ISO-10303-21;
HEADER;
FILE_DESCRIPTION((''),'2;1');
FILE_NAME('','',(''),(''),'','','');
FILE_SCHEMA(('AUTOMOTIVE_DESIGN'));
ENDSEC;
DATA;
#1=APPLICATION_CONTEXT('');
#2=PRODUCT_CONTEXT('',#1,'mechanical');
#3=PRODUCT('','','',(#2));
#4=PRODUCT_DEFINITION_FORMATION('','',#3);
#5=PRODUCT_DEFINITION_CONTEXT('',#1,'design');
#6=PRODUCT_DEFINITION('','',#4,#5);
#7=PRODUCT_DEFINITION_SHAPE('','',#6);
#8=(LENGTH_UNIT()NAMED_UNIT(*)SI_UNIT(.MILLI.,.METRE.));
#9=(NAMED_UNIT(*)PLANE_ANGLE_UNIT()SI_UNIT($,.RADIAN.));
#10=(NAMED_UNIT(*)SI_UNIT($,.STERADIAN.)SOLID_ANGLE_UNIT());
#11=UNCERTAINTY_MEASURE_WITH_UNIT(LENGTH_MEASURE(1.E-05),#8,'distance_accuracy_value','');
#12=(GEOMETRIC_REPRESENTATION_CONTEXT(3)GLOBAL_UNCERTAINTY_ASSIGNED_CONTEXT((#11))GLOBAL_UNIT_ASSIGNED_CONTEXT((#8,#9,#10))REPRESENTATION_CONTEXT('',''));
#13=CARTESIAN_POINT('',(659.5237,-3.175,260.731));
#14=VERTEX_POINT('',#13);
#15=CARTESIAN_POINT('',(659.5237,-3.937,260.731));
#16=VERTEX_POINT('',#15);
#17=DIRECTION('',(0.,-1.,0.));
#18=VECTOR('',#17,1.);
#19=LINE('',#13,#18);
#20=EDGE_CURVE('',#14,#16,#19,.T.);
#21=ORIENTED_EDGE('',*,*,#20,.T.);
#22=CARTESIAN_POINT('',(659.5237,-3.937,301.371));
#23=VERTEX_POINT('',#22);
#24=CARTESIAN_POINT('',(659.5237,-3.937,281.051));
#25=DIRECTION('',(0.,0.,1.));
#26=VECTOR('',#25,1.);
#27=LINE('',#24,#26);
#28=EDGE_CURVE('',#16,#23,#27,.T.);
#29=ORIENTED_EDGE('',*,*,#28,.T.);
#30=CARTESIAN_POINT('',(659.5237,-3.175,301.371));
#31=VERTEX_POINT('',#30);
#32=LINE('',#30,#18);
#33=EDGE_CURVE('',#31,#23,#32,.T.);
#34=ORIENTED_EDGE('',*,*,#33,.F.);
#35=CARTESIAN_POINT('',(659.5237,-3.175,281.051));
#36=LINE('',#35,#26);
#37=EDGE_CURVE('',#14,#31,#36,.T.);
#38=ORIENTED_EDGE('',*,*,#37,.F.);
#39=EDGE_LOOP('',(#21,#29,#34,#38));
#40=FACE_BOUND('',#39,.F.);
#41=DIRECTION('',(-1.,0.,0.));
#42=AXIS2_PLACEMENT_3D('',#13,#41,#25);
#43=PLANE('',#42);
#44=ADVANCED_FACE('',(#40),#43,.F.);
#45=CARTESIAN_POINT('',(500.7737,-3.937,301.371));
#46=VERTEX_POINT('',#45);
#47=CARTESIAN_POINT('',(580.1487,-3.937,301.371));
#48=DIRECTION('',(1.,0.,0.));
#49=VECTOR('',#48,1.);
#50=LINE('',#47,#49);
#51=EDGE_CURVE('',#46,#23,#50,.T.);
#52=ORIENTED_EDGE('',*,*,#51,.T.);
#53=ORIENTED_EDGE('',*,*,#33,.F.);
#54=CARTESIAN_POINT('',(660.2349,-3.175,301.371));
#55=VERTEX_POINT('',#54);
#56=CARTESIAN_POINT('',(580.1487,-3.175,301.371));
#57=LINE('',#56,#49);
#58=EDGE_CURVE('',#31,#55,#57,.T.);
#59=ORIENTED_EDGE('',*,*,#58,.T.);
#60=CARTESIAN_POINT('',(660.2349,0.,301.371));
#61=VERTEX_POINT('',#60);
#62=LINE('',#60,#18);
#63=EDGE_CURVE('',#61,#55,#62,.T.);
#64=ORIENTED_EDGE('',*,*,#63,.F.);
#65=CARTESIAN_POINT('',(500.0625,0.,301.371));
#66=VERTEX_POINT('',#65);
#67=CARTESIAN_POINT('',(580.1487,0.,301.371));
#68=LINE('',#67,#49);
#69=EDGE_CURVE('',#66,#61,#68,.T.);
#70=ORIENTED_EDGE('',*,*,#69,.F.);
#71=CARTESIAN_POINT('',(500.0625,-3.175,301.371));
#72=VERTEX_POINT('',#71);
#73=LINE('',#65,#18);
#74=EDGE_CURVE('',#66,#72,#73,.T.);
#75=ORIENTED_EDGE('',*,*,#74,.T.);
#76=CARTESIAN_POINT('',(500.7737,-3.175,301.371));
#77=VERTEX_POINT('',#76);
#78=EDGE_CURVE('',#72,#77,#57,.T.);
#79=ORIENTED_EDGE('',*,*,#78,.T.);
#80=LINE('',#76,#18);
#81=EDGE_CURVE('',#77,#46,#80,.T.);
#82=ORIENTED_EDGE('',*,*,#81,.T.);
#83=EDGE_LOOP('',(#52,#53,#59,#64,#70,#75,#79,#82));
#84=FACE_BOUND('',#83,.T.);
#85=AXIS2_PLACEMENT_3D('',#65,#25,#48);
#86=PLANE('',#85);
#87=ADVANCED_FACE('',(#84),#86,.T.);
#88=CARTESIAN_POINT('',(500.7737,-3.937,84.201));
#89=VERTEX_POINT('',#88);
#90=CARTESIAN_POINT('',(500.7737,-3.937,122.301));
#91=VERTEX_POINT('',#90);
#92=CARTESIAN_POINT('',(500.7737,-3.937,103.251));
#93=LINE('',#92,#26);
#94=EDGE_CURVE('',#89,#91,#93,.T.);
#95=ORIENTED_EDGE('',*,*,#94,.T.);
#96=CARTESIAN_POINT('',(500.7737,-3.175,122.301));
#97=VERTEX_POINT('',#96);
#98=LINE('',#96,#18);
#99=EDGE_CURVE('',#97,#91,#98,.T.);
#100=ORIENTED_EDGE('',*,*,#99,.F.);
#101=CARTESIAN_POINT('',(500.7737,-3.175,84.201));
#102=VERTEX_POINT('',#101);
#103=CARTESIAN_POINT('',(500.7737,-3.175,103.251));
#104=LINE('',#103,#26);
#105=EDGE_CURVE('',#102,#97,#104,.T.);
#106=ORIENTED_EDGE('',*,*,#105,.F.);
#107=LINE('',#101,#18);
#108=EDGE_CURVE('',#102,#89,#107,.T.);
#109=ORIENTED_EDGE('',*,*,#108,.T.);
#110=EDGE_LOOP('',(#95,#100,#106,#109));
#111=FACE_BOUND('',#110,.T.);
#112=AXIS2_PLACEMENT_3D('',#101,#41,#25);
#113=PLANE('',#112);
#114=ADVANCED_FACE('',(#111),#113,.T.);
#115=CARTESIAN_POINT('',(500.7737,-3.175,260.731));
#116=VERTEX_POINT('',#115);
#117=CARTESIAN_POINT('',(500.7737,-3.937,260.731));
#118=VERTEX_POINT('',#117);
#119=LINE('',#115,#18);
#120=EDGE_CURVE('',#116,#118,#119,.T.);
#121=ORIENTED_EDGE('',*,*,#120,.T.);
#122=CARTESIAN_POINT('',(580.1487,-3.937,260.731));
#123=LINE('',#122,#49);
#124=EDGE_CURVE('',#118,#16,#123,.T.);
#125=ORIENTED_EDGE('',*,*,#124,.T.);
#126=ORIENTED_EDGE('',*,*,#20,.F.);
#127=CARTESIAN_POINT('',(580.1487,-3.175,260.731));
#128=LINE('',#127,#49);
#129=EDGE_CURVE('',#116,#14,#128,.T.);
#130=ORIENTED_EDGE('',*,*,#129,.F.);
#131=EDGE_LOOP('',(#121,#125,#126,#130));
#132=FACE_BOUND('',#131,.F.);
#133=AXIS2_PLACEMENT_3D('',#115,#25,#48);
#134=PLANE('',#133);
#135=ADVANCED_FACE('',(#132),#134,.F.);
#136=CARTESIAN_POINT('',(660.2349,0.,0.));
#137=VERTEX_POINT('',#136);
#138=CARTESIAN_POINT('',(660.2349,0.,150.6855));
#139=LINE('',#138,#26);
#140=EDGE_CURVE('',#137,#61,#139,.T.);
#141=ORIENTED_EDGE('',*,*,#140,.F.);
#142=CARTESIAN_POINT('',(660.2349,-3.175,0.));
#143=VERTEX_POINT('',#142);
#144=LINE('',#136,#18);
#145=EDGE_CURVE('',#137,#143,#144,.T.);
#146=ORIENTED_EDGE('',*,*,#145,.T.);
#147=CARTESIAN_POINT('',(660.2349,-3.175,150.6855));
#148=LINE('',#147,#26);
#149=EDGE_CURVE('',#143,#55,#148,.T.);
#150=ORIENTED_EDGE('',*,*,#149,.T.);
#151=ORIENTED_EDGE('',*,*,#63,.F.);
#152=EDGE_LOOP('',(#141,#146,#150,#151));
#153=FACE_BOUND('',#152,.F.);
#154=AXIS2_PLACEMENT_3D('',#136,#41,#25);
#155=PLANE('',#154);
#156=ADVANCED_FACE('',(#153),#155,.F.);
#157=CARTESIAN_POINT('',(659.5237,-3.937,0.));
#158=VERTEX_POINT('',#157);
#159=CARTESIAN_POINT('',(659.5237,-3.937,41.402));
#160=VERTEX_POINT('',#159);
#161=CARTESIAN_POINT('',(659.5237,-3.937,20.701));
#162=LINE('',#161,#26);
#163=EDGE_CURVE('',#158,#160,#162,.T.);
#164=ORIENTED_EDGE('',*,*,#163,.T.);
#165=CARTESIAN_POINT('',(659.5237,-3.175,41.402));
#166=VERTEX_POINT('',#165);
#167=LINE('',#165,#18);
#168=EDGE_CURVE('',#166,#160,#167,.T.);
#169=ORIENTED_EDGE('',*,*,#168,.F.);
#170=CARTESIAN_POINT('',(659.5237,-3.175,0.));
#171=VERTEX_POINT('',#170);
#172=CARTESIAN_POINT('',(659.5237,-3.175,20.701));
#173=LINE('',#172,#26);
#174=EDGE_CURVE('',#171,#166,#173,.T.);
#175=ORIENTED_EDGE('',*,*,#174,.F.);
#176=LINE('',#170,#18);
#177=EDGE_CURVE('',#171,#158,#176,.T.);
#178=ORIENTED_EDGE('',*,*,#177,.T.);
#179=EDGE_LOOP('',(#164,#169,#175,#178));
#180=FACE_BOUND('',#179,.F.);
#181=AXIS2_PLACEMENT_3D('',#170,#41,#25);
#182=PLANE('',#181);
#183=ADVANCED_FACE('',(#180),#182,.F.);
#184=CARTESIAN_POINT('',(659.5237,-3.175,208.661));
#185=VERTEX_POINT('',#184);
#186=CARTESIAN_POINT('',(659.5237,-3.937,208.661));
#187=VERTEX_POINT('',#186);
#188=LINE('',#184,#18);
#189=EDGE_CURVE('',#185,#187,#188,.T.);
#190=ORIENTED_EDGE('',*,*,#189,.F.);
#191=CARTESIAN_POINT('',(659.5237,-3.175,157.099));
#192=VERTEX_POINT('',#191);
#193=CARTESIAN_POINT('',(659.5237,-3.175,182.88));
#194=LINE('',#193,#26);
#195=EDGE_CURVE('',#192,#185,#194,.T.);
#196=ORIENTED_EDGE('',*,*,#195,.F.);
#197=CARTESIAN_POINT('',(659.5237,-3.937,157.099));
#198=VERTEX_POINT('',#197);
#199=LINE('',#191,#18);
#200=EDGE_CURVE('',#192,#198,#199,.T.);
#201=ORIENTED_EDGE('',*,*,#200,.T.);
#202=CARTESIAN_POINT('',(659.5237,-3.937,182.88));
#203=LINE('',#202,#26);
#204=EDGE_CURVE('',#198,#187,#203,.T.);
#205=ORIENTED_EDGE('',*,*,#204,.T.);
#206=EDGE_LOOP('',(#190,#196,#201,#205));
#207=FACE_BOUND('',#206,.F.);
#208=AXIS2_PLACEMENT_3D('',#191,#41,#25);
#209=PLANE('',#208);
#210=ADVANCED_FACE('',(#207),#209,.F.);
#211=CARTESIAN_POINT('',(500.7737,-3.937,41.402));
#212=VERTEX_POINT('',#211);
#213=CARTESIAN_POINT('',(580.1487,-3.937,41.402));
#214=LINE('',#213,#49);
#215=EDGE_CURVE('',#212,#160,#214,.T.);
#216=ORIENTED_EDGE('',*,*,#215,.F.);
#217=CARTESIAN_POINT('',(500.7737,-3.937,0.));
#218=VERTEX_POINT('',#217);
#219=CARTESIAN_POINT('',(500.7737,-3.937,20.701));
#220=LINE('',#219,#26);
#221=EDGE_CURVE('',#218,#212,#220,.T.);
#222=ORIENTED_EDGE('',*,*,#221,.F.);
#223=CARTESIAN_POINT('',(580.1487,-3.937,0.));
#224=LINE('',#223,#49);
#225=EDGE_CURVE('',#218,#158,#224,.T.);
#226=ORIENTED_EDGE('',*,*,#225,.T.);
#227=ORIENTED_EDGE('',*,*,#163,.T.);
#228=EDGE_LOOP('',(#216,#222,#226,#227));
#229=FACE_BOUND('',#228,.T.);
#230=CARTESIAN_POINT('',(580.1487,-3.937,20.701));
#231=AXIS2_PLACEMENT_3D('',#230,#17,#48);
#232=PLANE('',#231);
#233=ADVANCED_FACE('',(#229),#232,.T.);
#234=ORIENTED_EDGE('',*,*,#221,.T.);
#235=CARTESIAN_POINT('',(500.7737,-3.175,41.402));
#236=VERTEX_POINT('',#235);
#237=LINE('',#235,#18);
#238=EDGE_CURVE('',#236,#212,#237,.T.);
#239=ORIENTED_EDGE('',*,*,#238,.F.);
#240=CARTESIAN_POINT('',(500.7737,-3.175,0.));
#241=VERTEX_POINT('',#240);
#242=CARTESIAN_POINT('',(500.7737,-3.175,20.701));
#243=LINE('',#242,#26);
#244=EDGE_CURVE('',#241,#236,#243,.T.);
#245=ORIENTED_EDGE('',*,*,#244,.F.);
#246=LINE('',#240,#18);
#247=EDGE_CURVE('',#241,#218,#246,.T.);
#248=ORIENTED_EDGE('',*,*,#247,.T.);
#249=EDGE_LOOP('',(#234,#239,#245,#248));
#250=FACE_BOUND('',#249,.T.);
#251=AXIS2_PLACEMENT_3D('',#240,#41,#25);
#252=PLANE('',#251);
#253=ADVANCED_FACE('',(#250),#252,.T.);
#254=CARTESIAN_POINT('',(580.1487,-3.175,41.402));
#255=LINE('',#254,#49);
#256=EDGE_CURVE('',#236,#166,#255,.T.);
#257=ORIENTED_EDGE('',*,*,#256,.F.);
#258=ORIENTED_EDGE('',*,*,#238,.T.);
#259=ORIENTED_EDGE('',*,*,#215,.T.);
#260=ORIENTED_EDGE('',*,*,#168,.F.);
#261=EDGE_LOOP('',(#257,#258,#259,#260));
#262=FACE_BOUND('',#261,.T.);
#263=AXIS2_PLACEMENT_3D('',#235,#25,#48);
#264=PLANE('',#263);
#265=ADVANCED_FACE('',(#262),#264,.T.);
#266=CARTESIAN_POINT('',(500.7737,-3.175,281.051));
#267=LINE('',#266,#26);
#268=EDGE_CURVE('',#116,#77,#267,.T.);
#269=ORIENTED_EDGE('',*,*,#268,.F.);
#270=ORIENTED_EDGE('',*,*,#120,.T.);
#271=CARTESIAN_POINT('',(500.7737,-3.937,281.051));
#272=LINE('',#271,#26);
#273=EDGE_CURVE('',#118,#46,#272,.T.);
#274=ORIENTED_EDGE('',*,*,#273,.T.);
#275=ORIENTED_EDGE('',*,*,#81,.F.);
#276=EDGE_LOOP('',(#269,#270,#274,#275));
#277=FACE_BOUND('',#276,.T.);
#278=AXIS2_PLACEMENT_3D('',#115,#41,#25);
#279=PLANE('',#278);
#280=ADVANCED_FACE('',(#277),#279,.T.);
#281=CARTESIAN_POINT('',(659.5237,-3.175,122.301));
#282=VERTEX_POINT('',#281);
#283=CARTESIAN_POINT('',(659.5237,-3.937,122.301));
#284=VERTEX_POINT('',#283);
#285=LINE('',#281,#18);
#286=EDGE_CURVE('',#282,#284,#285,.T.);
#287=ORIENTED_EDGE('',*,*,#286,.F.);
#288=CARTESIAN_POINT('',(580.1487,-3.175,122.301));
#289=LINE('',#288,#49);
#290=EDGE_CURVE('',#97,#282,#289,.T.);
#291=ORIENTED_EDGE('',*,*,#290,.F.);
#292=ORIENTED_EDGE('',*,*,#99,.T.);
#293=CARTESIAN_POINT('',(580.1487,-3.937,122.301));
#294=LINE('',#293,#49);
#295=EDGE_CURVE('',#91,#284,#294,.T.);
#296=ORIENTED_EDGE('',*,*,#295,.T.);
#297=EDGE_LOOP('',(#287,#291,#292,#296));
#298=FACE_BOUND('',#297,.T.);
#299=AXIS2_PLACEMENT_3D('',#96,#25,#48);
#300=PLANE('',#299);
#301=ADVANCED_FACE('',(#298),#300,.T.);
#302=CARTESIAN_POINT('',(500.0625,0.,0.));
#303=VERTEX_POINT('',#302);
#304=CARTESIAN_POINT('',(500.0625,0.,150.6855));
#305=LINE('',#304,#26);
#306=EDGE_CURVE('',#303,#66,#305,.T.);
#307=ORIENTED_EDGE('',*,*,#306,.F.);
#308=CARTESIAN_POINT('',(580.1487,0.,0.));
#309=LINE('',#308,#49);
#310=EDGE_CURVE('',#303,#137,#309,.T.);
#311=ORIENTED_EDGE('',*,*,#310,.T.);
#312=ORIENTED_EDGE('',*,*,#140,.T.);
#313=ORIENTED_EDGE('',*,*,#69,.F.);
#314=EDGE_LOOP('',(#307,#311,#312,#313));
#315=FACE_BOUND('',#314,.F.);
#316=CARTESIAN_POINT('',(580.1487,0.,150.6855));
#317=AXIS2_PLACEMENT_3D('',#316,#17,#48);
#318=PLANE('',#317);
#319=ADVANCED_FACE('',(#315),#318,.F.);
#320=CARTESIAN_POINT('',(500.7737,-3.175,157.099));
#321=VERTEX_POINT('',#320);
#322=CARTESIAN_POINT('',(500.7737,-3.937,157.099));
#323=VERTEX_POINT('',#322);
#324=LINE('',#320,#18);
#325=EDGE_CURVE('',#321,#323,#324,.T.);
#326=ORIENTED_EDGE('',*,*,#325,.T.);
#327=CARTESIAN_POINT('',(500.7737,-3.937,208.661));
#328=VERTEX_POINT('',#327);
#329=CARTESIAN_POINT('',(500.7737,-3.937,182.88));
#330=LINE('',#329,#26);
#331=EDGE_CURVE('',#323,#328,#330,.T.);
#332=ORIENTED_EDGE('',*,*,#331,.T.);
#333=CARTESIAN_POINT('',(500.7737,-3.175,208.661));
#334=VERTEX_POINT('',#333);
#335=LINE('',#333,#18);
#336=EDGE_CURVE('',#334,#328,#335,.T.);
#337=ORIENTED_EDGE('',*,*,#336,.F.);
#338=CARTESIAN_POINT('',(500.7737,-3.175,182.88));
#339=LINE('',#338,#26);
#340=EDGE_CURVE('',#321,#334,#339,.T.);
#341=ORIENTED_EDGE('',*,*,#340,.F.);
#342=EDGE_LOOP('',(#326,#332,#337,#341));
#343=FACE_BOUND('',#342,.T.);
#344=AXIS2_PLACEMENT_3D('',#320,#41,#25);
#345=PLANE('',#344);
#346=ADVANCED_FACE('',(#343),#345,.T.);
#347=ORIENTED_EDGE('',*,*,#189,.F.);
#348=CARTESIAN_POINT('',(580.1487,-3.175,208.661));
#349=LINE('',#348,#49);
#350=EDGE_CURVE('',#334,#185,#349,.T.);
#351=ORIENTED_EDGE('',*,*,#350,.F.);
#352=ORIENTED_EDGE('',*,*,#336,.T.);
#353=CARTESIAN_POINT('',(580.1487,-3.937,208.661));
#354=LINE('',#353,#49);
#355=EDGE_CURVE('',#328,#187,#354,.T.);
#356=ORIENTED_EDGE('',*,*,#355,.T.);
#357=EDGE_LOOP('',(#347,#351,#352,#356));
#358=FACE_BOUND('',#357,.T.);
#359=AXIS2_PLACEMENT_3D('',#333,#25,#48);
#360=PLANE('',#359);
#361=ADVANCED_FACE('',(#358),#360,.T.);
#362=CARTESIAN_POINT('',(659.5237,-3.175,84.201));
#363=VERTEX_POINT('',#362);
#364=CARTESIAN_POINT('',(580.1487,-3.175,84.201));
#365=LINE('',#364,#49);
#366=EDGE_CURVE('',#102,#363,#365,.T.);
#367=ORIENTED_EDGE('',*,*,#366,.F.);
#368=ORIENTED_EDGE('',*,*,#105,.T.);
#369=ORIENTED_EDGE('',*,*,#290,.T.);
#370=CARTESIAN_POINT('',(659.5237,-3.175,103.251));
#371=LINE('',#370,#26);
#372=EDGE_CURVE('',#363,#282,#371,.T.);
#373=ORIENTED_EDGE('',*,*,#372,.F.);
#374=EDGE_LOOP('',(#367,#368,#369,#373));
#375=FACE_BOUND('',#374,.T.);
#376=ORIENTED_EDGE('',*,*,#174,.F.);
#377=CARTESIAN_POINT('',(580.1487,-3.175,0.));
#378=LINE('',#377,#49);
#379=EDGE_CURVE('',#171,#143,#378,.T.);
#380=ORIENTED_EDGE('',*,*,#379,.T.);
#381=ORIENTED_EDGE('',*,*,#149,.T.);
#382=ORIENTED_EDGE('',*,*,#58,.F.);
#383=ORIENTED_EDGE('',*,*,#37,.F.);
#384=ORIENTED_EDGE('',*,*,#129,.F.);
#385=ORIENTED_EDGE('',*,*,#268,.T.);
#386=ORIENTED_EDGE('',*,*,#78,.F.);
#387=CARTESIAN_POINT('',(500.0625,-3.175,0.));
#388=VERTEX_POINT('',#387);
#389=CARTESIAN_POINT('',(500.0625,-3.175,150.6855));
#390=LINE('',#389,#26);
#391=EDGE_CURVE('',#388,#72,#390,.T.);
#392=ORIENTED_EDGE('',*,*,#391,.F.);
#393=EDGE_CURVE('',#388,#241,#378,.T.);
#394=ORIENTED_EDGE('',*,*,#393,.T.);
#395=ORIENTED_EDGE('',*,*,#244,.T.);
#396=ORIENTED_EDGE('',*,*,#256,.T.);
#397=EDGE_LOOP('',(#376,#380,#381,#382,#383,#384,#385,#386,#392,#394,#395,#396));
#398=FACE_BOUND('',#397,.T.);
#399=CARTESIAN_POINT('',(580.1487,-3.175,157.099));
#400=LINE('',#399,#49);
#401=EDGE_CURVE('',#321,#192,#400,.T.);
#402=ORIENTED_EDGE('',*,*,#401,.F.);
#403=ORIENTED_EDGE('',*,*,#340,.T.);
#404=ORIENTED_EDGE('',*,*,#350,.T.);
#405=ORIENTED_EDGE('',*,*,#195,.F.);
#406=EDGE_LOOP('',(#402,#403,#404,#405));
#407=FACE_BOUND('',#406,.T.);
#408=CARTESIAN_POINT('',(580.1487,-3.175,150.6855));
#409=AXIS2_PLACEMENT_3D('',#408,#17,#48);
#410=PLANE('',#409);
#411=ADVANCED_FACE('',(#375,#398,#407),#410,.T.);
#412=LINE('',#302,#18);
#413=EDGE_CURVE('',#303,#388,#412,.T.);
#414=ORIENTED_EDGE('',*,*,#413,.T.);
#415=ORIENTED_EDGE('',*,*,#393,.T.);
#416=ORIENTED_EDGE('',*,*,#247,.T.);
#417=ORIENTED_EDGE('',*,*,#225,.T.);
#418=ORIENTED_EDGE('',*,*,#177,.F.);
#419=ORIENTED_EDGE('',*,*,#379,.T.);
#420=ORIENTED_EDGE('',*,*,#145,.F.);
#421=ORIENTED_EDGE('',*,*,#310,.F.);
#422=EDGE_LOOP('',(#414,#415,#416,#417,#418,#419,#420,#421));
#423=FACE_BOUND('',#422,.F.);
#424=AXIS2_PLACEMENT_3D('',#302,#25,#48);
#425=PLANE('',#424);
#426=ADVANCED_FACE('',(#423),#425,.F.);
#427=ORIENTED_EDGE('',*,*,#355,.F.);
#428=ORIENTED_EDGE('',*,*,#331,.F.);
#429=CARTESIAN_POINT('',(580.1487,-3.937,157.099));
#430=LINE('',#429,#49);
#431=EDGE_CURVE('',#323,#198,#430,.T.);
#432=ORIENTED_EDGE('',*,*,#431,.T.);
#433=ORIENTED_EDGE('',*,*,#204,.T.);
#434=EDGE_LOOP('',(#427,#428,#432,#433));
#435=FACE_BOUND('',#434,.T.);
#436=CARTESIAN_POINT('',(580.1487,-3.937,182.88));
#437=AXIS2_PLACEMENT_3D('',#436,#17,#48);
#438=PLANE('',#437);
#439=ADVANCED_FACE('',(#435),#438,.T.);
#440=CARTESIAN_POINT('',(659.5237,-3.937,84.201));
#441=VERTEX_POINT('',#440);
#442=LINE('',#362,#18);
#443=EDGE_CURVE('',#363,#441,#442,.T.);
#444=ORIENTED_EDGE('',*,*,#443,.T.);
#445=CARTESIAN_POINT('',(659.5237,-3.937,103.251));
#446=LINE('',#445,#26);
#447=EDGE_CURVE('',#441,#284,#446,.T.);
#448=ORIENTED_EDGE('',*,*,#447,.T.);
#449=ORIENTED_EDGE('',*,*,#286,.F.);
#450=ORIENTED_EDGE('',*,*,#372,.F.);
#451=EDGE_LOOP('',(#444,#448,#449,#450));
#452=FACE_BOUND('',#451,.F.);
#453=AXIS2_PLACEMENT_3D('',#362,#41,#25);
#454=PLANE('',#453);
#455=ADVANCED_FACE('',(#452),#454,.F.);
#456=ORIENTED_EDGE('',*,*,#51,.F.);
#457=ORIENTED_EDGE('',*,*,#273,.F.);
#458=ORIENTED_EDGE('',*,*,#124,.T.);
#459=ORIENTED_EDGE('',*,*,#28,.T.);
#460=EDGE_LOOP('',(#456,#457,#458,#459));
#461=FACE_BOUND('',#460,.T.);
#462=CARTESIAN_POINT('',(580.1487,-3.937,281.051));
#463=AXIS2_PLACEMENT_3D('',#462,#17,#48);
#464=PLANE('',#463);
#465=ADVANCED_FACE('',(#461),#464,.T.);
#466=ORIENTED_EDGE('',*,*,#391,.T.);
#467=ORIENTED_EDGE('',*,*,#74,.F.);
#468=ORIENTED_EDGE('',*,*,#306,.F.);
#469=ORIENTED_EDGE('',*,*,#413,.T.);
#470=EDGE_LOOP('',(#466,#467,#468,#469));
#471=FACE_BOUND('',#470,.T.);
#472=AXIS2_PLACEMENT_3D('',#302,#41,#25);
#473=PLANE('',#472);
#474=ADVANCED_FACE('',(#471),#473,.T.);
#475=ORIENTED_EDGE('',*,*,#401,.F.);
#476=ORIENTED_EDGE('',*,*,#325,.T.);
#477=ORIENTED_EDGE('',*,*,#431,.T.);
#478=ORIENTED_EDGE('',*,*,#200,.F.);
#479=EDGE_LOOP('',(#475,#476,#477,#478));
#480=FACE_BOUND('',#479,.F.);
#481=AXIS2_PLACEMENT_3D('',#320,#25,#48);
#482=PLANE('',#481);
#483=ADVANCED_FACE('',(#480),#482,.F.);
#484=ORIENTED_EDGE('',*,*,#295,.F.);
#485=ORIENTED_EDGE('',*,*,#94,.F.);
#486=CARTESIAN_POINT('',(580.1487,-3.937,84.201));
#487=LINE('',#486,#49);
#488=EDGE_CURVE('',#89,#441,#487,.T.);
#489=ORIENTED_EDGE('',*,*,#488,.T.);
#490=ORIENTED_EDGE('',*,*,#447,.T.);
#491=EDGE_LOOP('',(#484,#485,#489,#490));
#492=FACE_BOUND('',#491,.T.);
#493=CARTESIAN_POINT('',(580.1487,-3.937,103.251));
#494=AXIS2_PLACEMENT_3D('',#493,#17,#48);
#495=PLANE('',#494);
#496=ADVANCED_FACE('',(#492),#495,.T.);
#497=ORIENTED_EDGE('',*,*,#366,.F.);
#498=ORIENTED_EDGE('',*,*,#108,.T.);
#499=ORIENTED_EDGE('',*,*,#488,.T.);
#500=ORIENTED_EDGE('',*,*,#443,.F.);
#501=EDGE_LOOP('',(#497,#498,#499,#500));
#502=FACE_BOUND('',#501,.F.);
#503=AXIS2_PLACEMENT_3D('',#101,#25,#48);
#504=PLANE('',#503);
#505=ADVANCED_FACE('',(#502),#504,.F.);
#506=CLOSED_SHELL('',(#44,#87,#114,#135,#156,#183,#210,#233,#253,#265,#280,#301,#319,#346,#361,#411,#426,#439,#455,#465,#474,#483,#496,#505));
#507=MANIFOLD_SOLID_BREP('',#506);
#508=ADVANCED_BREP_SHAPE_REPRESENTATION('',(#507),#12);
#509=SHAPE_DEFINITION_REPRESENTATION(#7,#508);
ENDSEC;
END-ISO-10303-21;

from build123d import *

# Parameters (mm, degrees)
F0_W     = 160.1724
F0_H     = 301.371
F1_DEPTH = 3.175
F2_W     = 158.75
F2_H     = 40.64
F2_H_2   = 51.562
F2_H_3   = 38.1
F2_H_4   = 41.402
F3_DEPTH = 0.762


with BuildPart() as f1:
    # F0 (on Front) → F1 (new body)
    with BuildSketch(Plane.XZ):
        with Locations((580.1487, 150.6855)):
            Rectangle(F0_W, F0_H)
    extrude(amount=F1_DEPTH)

    # F2 (on face) → F3 (join)
    with BuildSketch(Plane.XZ.offset(3.175)):
        with Locations((580.1487, 281.051)):
            Rectangle(F2_W, F2_H)
        with Locations((580.1487, 182.88)):
            Rectangle(F2_W, F2_H_2)
        with Locations((580.1487, 103.251)):
            Rectangle(F2_W, F2_H_3)
        with Locations((580.1487, 20.701)):
            Rectangle(F2_W, F2_H_4)
    extrude(amount=F3_DEPTH)


solid = f1.part
